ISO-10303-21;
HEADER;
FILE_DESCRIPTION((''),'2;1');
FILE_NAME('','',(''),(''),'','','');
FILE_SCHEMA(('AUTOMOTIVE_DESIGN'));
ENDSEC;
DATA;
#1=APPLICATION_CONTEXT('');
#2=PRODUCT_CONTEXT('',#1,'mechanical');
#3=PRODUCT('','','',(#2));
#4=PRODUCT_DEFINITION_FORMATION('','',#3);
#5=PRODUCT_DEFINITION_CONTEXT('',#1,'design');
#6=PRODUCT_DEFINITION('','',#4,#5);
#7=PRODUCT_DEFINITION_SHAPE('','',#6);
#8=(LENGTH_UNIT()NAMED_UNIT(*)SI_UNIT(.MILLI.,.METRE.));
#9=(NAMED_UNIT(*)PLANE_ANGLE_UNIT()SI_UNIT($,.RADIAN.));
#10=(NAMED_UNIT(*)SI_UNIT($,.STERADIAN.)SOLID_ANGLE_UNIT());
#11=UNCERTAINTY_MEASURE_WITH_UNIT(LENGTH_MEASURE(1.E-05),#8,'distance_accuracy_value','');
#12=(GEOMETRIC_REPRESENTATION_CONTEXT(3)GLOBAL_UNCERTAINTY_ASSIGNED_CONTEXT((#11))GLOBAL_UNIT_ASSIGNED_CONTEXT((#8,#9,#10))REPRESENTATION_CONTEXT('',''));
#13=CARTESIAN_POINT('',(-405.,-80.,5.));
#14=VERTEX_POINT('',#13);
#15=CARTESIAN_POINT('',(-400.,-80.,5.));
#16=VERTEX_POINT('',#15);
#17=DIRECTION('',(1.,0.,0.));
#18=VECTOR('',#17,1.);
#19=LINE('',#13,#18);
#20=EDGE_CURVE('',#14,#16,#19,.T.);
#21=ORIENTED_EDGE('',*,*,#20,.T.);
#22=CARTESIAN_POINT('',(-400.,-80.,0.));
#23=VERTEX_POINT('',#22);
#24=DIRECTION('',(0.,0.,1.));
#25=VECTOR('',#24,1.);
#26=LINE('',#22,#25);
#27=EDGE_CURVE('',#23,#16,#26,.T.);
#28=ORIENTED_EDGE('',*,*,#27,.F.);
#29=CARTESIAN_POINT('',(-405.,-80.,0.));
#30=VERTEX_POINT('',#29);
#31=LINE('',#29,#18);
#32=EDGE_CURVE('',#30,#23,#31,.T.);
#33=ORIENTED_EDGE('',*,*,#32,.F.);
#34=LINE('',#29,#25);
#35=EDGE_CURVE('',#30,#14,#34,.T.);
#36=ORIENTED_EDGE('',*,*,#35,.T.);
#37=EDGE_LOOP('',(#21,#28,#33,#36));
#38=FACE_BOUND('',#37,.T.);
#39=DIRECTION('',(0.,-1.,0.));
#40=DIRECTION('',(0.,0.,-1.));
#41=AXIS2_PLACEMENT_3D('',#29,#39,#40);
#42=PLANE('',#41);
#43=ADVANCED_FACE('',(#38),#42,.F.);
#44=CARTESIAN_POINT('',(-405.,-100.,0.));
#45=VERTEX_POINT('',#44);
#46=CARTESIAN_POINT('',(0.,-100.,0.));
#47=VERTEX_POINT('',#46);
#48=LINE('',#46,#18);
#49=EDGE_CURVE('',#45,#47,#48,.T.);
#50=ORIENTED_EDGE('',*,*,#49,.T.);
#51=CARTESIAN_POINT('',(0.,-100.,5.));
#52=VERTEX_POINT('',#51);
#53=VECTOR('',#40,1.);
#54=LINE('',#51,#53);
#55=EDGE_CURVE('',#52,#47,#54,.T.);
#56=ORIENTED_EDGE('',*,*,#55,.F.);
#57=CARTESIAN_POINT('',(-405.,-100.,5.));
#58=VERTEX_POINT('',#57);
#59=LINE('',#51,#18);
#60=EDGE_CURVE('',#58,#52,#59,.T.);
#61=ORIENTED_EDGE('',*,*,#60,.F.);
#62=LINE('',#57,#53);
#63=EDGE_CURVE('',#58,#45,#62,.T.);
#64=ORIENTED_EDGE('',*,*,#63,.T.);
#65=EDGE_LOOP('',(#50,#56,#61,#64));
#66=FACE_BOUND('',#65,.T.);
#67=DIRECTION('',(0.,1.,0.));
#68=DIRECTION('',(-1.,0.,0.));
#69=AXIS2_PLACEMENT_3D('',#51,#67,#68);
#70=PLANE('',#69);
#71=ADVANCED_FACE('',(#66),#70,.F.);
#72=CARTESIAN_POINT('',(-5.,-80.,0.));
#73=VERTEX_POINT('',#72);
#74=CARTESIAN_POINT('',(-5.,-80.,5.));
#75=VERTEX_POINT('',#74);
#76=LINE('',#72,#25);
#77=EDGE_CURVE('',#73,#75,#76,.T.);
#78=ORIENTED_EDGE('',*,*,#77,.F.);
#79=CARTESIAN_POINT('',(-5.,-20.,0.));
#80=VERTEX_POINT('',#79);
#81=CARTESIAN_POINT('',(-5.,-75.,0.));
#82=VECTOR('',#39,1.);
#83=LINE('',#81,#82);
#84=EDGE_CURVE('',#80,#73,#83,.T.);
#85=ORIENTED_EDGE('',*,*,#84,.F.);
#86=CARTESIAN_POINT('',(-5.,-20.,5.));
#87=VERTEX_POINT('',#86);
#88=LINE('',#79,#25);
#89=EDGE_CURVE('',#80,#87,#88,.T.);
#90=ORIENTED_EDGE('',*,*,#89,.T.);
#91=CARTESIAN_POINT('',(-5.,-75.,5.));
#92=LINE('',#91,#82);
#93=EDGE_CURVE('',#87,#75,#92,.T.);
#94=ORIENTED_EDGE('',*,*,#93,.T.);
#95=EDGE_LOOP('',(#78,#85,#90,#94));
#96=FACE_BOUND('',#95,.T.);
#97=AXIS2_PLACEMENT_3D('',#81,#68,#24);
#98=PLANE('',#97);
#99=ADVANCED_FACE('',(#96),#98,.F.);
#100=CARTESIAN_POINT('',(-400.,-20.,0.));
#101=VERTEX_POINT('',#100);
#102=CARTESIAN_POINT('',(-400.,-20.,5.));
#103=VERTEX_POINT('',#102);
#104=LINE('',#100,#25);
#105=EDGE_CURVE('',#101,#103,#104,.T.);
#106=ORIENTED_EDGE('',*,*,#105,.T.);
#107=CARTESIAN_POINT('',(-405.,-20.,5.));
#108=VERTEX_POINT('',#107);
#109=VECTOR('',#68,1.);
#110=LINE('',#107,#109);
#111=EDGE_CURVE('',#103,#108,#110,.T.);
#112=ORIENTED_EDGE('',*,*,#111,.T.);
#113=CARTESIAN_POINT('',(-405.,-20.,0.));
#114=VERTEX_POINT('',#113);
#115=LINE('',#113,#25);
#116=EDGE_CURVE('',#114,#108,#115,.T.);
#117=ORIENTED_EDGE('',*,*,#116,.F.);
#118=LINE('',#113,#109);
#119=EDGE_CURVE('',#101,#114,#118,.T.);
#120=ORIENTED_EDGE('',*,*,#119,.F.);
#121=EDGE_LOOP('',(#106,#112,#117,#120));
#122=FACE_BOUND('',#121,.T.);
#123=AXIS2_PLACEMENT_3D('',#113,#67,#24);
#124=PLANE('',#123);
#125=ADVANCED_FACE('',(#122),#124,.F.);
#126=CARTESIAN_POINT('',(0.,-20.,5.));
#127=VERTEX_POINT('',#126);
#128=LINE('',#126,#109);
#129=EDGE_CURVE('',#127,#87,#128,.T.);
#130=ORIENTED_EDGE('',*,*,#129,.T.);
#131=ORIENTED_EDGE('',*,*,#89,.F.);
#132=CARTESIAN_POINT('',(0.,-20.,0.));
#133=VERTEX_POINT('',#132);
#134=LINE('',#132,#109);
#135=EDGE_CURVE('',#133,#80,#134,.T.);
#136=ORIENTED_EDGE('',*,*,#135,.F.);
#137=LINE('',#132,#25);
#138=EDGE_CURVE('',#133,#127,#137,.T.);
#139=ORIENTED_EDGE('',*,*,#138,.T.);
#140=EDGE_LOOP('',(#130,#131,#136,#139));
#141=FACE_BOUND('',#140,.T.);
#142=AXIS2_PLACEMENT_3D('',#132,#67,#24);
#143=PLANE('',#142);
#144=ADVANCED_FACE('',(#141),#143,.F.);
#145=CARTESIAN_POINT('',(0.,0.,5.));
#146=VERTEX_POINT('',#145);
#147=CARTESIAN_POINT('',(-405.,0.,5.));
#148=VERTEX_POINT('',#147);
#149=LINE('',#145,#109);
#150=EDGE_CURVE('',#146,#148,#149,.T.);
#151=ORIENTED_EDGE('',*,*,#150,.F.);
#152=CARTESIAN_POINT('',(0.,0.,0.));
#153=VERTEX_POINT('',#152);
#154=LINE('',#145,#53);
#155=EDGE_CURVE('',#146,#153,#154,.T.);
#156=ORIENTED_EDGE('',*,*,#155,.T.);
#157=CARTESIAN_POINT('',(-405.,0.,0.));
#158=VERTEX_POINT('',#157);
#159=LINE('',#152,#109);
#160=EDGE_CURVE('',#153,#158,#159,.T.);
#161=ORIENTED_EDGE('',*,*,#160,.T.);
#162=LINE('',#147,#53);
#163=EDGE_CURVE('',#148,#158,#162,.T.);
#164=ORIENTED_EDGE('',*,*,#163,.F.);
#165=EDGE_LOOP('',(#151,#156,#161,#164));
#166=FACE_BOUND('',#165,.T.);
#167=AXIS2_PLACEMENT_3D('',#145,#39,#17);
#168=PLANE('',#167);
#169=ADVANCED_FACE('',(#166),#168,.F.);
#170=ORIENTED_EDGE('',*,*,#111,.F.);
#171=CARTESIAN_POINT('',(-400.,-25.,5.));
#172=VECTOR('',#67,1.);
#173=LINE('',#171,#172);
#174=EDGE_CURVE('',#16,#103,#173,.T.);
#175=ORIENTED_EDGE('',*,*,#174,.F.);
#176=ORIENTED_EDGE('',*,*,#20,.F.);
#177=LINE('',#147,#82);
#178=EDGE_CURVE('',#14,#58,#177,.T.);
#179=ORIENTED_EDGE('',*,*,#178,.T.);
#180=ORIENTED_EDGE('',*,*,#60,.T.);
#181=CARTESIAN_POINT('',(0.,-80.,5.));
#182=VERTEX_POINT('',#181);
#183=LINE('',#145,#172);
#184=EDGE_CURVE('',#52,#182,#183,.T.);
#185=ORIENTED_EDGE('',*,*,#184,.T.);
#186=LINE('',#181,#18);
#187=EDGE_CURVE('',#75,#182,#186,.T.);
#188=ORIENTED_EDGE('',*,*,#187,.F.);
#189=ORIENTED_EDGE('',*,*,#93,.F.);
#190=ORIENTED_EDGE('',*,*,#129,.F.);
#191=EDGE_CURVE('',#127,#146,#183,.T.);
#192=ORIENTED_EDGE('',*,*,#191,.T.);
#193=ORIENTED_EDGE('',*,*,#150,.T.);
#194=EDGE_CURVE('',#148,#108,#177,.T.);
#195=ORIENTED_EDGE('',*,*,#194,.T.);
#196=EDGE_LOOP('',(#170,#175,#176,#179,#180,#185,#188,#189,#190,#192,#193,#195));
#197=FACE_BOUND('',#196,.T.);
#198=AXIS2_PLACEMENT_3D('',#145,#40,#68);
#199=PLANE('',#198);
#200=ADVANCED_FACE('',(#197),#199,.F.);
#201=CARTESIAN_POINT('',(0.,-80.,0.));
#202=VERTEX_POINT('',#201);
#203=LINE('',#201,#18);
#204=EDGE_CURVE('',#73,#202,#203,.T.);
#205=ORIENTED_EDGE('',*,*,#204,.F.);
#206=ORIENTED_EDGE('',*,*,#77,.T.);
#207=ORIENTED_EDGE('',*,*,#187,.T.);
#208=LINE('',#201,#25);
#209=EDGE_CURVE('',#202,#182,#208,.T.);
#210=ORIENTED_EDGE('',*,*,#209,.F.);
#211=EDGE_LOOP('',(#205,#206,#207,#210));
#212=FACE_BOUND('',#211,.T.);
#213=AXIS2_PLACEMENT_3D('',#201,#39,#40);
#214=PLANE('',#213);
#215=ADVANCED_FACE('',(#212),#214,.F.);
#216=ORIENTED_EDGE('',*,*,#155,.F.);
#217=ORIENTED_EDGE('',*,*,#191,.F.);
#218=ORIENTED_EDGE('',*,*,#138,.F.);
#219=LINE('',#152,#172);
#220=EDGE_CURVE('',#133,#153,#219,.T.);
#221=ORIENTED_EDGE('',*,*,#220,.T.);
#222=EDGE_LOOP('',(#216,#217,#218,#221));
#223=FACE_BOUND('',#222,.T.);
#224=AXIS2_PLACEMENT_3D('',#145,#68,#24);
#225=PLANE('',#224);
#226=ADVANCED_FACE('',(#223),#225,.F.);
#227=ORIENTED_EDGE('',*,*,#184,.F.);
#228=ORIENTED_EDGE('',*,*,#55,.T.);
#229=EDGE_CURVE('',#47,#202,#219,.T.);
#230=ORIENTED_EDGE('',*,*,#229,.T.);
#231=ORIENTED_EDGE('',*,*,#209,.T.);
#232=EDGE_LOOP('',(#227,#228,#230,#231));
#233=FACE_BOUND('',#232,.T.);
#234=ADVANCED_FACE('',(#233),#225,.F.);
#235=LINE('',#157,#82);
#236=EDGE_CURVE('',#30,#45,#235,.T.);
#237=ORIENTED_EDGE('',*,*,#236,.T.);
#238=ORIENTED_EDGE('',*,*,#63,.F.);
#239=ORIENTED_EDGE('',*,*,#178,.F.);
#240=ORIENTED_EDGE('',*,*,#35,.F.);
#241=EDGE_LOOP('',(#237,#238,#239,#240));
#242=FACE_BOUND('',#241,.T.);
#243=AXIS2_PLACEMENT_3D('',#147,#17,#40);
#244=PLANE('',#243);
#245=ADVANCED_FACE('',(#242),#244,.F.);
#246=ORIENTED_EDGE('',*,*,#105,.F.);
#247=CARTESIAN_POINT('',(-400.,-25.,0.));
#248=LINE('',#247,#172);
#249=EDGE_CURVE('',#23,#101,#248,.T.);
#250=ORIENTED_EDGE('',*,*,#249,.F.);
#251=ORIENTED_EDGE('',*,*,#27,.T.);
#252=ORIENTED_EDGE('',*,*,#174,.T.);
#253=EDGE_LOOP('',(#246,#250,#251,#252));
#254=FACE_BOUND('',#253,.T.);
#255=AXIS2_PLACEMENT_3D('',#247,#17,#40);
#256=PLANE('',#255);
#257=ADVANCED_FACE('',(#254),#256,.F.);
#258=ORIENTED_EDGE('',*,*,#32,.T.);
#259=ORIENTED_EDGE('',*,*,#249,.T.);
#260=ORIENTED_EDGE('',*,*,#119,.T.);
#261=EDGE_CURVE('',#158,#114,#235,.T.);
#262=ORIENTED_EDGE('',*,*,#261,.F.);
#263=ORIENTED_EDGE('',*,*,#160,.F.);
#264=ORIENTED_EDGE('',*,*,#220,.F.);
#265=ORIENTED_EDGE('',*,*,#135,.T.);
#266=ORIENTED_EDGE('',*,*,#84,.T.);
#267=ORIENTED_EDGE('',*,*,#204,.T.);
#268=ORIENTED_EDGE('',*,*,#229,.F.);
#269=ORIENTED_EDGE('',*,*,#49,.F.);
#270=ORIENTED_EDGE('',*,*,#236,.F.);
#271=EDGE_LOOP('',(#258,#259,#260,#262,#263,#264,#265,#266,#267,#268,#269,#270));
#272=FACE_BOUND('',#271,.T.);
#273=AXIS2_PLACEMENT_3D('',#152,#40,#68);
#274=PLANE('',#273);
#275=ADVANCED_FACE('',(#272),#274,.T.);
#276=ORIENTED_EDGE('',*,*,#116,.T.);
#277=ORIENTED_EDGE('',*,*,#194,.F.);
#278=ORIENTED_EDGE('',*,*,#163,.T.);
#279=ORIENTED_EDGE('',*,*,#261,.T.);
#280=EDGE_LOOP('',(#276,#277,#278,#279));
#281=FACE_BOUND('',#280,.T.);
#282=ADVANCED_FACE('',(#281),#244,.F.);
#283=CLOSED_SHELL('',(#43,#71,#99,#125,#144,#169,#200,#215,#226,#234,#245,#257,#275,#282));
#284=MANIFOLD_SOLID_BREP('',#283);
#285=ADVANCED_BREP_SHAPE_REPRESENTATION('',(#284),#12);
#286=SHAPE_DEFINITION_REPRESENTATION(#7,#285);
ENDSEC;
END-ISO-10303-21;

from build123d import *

# Parameters (mm, degrees)
SKETCH1_W           = 405
SKETCH1_H           = 100
BOSS_EXTRUDE1_DEPTH = 5
SKETCH2_W           = 5
SKETCH2_H           = 5
CUT_EXTRUDE1_DEPTH  = 5
BOSS_EXTRUDE2_DEPTH = 5
SKETCH6_W           = 15
SKETCH6_H           = 50
CUT_EXTRUDE4_DEPTH  = 5


with BuildPart() as part:
    # Sketch1 → Boss-Extrude1 (new body)
    with BuildSketch(Plane.XY):
        with Locations((-202.5, -50)):
            Rectangle(SKETCH1_W, SKETCH1_H)
    extrude(amount=BOSS_EXTRUDE1_DEPTH)

    # Sketch2 → Cut-Extrude1 (cut)
    with BuildSketch(Plane.XY.offset(5)):
        with Locations((-402.5, -77.5)):
            Rectangle(SKETCH2_W, SKETCH2_H)
        with Locations((-402.5, -22.5)):
            Rectangle(SKETCH2_W, SKETCH2_H)
        with Locations((-2.5, -22.5)):
            Rectangle(SKETCH2_W, SKETCH2_H)
        with Locations((-2.5, -77.5)):
            Rectangle(SKETCH2_W, SKETCH2_H)
    extrude(amount=-CUT_EXTRUDE1_DEPTH, mode=Mode.SUBTRACT)

    # Sketch3 → Boss-Extrude2 (add)
    with BuildSketch(Plane.XY.offset(5)):
        Polygon((-405, -30), (-405, -25), (-415, -25), (-415, -75), (-405, -75), (-405, -70), (-410, -70), (-410, -30), align=None)
        Polygon((0, -30), (5, -30), (5, -70), (0, -70), (0, -75), (10, -75), (10, -25), (0, -25), align=None)
    extrude(amount=-BOSS_EXTRUDE2_DEPTH)

    # Sketch6 → Cut-Extrude4 (cut)
    with BuildSketch(Plane.XY.offset(5)):
        with Locations((2.5, -50)):
            Rectangle(SKETCH6_W, SKETCH6_H)
        with Locations((-407.5, -50)):
            Rectangle(SKETCH6_W, SKETCH6_H)
    extrude(amount=-CUT_EXTRUDE4_DEPTH, mode=Mode.SUBTRACT)


solid = part.part
